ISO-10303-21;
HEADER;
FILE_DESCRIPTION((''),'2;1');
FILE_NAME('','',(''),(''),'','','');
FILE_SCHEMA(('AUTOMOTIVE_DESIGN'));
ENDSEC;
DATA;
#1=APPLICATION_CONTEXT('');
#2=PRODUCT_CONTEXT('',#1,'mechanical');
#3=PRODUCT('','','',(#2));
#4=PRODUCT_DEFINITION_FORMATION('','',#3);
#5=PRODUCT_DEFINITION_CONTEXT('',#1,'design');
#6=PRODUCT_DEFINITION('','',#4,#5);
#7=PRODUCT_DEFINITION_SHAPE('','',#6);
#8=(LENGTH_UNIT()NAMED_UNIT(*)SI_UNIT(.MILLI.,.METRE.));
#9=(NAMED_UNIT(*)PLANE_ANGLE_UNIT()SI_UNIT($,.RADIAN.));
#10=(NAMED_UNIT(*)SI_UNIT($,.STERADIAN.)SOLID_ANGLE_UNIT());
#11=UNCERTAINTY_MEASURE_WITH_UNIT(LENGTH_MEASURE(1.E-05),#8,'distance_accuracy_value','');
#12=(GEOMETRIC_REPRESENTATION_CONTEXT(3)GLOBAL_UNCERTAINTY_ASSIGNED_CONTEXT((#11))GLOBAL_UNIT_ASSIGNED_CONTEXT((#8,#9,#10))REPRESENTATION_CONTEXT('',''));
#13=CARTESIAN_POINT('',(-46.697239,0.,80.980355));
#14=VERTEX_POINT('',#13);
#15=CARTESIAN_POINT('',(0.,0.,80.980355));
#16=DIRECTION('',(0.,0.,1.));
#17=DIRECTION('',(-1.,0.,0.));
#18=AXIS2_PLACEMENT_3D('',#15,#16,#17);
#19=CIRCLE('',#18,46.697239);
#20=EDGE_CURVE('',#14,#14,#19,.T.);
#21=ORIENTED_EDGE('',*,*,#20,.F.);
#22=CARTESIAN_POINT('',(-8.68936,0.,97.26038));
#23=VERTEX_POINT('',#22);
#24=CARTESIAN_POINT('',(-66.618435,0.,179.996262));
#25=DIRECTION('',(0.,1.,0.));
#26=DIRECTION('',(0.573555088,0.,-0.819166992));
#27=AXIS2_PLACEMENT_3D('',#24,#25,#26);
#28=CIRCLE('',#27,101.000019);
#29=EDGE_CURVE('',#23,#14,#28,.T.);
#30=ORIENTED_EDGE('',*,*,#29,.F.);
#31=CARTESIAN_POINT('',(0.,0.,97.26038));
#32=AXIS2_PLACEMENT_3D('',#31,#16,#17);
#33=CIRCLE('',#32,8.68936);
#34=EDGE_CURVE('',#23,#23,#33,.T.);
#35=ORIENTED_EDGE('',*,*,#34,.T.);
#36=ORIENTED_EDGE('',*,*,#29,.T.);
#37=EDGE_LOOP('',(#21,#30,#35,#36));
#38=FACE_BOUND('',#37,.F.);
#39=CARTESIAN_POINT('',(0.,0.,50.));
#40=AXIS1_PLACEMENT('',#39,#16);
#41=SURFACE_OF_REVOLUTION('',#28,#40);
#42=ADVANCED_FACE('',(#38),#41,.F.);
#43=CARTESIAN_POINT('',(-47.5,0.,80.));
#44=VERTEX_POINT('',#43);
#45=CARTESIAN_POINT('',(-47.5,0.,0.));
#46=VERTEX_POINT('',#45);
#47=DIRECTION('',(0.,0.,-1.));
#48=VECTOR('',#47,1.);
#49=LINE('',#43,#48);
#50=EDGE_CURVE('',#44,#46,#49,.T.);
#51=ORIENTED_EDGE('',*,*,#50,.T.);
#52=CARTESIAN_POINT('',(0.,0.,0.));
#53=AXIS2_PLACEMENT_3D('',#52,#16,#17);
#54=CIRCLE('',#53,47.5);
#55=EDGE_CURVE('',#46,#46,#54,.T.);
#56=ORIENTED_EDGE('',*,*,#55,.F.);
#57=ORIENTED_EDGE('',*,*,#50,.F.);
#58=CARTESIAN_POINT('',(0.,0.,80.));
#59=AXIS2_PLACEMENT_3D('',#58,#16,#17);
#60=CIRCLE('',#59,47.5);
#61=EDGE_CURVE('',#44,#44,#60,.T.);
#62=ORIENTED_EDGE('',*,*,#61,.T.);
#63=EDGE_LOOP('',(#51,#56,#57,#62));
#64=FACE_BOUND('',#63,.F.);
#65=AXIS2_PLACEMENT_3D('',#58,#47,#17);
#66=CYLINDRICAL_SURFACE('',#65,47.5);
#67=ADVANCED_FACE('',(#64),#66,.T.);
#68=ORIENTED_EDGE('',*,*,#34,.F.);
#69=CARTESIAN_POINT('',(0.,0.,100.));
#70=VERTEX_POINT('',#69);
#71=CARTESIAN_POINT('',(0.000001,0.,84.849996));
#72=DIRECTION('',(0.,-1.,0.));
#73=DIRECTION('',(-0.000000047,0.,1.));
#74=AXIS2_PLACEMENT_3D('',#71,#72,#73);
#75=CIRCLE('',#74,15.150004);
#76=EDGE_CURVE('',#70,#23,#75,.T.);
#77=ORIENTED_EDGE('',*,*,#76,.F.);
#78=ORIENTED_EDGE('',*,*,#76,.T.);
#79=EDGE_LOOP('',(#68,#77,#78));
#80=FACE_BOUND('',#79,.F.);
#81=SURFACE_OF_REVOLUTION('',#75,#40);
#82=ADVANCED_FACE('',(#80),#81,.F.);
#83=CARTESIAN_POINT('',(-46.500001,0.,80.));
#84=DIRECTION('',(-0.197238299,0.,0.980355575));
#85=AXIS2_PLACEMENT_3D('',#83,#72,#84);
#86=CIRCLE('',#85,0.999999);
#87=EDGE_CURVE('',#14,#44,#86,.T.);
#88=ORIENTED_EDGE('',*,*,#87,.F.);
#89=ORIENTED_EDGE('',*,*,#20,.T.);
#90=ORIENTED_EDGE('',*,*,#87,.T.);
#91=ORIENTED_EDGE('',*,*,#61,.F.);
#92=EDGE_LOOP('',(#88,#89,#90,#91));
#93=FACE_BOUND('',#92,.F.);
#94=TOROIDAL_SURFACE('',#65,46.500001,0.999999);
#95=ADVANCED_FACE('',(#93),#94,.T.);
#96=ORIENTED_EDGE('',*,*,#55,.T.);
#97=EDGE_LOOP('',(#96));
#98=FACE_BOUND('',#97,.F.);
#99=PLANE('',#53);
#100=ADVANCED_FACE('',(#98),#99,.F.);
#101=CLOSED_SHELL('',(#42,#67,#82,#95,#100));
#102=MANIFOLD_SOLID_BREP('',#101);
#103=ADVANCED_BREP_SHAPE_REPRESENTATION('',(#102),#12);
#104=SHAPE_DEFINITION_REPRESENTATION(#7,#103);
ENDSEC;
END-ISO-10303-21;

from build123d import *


with BuildPart() as f1:
    # F0 (on Front) → F1 (revolve)
    with BuildSketch(Plane.XZ):
        with BuildLine():
            Line((-47.5, 0), (0, 0))
            Line((0, 0), (0, 100))
            ThreePointArc((0, 100), (-4.555505, 99.298871), (-8.68936, 97.26038))
            ThreePointArc((-8.68936, 97.26038), (-26.851288, 87.15458), (-46.697239, 80.980355))
            ThreePointArc((-46.697239, 80.980355), (-47.273705, 80.633546), (-47.5, 80))
            Line((-47.5, 80), (-47.5, 0))
        make_face()
    revolve(axis=Axis((0, 0, 50), (0, 0, 1)))


solid = f1.part
